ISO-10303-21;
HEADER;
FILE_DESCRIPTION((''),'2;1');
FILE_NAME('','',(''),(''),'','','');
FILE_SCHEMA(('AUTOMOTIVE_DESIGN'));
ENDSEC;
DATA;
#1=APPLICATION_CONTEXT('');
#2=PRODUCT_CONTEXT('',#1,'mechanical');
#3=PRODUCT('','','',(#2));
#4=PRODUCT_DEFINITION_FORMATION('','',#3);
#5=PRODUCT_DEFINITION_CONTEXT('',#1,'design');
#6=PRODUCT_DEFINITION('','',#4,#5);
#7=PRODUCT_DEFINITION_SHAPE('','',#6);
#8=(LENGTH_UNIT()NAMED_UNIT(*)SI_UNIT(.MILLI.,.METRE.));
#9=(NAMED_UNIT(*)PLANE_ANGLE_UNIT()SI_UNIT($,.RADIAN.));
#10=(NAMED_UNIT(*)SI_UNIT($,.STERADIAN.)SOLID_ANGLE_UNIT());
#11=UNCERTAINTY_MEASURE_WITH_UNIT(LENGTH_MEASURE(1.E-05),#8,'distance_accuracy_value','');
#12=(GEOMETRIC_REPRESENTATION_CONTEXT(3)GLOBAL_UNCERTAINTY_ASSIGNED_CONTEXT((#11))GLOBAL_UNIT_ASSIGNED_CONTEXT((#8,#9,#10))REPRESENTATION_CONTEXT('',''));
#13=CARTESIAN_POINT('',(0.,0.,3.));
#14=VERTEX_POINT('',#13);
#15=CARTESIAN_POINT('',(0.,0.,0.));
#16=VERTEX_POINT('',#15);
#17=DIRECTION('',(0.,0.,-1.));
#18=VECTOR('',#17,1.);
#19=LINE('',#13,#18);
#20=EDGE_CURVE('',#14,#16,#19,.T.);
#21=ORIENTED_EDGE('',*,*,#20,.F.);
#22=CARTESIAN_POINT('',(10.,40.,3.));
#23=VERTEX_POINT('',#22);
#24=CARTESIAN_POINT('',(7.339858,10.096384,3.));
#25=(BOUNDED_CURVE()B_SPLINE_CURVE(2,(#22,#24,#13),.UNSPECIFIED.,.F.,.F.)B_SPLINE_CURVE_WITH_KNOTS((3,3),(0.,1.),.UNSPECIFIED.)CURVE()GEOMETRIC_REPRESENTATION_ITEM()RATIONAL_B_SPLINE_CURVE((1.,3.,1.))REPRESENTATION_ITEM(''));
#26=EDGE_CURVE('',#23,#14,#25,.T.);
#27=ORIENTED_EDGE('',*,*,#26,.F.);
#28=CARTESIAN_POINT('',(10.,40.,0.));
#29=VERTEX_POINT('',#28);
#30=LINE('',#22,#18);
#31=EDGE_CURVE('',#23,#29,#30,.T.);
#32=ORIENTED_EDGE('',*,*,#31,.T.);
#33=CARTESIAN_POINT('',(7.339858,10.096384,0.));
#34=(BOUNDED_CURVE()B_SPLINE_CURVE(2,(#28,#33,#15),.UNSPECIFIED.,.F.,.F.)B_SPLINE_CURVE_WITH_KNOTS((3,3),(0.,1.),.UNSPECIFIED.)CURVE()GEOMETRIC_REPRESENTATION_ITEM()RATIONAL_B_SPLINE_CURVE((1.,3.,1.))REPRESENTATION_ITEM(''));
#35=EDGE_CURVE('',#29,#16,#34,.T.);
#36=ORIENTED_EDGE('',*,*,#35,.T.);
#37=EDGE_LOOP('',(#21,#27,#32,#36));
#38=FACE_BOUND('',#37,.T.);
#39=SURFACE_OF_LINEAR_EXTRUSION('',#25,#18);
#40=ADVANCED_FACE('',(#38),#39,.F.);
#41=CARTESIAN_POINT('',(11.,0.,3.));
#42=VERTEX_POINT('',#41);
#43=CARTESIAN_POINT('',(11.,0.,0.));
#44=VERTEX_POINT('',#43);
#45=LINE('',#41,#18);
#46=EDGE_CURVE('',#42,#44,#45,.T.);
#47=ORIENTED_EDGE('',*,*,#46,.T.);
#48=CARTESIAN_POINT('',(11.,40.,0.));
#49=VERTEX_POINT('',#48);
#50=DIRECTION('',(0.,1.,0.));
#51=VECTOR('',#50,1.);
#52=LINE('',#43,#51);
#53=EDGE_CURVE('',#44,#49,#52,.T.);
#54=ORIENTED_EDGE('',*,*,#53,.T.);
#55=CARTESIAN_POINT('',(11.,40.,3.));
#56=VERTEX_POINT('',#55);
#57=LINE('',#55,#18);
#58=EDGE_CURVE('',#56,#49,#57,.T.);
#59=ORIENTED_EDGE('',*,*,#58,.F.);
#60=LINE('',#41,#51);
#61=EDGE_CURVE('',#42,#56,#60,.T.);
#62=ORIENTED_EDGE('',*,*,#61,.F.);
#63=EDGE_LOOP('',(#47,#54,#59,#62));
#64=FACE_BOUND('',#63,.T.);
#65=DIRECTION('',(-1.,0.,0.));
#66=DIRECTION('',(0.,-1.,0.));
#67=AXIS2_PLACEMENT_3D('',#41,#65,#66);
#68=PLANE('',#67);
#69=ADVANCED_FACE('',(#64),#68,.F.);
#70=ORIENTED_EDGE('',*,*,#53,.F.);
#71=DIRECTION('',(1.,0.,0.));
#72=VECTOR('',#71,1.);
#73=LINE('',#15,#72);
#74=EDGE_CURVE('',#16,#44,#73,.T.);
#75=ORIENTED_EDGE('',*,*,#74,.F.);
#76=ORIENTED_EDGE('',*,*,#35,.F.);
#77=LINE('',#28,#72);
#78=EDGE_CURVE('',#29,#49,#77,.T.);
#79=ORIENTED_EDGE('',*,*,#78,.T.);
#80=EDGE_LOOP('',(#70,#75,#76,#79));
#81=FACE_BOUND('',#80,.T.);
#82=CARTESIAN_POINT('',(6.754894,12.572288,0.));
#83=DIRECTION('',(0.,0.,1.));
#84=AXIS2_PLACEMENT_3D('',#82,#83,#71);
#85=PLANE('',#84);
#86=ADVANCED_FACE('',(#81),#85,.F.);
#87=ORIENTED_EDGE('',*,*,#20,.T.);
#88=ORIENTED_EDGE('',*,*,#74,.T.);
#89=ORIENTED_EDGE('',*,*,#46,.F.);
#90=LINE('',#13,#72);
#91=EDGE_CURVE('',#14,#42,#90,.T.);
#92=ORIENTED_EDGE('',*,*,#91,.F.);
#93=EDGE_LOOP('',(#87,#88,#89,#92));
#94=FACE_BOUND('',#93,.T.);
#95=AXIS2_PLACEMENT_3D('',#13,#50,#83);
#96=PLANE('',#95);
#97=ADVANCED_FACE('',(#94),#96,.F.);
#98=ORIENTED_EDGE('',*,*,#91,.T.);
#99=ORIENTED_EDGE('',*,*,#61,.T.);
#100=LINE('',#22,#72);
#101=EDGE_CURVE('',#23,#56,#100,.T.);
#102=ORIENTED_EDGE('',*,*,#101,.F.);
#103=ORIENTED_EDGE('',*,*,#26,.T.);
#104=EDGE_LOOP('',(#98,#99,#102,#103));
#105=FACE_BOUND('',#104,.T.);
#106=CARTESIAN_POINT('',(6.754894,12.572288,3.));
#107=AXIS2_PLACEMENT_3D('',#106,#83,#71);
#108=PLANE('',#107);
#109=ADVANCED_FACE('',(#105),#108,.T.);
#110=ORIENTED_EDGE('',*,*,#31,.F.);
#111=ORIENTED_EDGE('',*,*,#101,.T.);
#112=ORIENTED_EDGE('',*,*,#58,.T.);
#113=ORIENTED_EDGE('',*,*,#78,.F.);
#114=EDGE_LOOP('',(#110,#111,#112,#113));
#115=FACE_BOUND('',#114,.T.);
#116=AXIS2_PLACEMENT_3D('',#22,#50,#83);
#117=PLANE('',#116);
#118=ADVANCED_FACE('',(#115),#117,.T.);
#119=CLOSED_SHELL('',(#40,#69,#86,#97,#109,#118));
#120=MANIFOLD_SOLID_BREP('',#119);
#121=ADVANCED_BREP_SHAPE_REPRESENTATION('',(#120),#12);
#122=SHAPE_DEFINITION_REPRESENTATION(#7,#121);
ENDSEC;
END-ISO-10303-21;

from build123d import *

# Parameters (mm, degrees)
BOSS_EXTRUDE1_DEPTH = 3


with BuildPart() as part:
    # Sketch1 → Boss-Extrude1 (new body)
    with BuildSketch(Plane.XY):
        with BuildLine():
            Line((0, 0), (11, 0))
            Line((11, 0), (11, 40))
            Line((11, 40), (10, 40))
            add(Edge.make_bspline(
                [(10, 40), (7.339858089, 10.096384463), (0, 0)],
                knots=[0, 0, 0, 1, 1, 1], degree=2, weights=[1, 3, 1]))
        make_face()
    extrude(amount=BOSS_EXTRUDE1_DEPTH)


solid = part.part
